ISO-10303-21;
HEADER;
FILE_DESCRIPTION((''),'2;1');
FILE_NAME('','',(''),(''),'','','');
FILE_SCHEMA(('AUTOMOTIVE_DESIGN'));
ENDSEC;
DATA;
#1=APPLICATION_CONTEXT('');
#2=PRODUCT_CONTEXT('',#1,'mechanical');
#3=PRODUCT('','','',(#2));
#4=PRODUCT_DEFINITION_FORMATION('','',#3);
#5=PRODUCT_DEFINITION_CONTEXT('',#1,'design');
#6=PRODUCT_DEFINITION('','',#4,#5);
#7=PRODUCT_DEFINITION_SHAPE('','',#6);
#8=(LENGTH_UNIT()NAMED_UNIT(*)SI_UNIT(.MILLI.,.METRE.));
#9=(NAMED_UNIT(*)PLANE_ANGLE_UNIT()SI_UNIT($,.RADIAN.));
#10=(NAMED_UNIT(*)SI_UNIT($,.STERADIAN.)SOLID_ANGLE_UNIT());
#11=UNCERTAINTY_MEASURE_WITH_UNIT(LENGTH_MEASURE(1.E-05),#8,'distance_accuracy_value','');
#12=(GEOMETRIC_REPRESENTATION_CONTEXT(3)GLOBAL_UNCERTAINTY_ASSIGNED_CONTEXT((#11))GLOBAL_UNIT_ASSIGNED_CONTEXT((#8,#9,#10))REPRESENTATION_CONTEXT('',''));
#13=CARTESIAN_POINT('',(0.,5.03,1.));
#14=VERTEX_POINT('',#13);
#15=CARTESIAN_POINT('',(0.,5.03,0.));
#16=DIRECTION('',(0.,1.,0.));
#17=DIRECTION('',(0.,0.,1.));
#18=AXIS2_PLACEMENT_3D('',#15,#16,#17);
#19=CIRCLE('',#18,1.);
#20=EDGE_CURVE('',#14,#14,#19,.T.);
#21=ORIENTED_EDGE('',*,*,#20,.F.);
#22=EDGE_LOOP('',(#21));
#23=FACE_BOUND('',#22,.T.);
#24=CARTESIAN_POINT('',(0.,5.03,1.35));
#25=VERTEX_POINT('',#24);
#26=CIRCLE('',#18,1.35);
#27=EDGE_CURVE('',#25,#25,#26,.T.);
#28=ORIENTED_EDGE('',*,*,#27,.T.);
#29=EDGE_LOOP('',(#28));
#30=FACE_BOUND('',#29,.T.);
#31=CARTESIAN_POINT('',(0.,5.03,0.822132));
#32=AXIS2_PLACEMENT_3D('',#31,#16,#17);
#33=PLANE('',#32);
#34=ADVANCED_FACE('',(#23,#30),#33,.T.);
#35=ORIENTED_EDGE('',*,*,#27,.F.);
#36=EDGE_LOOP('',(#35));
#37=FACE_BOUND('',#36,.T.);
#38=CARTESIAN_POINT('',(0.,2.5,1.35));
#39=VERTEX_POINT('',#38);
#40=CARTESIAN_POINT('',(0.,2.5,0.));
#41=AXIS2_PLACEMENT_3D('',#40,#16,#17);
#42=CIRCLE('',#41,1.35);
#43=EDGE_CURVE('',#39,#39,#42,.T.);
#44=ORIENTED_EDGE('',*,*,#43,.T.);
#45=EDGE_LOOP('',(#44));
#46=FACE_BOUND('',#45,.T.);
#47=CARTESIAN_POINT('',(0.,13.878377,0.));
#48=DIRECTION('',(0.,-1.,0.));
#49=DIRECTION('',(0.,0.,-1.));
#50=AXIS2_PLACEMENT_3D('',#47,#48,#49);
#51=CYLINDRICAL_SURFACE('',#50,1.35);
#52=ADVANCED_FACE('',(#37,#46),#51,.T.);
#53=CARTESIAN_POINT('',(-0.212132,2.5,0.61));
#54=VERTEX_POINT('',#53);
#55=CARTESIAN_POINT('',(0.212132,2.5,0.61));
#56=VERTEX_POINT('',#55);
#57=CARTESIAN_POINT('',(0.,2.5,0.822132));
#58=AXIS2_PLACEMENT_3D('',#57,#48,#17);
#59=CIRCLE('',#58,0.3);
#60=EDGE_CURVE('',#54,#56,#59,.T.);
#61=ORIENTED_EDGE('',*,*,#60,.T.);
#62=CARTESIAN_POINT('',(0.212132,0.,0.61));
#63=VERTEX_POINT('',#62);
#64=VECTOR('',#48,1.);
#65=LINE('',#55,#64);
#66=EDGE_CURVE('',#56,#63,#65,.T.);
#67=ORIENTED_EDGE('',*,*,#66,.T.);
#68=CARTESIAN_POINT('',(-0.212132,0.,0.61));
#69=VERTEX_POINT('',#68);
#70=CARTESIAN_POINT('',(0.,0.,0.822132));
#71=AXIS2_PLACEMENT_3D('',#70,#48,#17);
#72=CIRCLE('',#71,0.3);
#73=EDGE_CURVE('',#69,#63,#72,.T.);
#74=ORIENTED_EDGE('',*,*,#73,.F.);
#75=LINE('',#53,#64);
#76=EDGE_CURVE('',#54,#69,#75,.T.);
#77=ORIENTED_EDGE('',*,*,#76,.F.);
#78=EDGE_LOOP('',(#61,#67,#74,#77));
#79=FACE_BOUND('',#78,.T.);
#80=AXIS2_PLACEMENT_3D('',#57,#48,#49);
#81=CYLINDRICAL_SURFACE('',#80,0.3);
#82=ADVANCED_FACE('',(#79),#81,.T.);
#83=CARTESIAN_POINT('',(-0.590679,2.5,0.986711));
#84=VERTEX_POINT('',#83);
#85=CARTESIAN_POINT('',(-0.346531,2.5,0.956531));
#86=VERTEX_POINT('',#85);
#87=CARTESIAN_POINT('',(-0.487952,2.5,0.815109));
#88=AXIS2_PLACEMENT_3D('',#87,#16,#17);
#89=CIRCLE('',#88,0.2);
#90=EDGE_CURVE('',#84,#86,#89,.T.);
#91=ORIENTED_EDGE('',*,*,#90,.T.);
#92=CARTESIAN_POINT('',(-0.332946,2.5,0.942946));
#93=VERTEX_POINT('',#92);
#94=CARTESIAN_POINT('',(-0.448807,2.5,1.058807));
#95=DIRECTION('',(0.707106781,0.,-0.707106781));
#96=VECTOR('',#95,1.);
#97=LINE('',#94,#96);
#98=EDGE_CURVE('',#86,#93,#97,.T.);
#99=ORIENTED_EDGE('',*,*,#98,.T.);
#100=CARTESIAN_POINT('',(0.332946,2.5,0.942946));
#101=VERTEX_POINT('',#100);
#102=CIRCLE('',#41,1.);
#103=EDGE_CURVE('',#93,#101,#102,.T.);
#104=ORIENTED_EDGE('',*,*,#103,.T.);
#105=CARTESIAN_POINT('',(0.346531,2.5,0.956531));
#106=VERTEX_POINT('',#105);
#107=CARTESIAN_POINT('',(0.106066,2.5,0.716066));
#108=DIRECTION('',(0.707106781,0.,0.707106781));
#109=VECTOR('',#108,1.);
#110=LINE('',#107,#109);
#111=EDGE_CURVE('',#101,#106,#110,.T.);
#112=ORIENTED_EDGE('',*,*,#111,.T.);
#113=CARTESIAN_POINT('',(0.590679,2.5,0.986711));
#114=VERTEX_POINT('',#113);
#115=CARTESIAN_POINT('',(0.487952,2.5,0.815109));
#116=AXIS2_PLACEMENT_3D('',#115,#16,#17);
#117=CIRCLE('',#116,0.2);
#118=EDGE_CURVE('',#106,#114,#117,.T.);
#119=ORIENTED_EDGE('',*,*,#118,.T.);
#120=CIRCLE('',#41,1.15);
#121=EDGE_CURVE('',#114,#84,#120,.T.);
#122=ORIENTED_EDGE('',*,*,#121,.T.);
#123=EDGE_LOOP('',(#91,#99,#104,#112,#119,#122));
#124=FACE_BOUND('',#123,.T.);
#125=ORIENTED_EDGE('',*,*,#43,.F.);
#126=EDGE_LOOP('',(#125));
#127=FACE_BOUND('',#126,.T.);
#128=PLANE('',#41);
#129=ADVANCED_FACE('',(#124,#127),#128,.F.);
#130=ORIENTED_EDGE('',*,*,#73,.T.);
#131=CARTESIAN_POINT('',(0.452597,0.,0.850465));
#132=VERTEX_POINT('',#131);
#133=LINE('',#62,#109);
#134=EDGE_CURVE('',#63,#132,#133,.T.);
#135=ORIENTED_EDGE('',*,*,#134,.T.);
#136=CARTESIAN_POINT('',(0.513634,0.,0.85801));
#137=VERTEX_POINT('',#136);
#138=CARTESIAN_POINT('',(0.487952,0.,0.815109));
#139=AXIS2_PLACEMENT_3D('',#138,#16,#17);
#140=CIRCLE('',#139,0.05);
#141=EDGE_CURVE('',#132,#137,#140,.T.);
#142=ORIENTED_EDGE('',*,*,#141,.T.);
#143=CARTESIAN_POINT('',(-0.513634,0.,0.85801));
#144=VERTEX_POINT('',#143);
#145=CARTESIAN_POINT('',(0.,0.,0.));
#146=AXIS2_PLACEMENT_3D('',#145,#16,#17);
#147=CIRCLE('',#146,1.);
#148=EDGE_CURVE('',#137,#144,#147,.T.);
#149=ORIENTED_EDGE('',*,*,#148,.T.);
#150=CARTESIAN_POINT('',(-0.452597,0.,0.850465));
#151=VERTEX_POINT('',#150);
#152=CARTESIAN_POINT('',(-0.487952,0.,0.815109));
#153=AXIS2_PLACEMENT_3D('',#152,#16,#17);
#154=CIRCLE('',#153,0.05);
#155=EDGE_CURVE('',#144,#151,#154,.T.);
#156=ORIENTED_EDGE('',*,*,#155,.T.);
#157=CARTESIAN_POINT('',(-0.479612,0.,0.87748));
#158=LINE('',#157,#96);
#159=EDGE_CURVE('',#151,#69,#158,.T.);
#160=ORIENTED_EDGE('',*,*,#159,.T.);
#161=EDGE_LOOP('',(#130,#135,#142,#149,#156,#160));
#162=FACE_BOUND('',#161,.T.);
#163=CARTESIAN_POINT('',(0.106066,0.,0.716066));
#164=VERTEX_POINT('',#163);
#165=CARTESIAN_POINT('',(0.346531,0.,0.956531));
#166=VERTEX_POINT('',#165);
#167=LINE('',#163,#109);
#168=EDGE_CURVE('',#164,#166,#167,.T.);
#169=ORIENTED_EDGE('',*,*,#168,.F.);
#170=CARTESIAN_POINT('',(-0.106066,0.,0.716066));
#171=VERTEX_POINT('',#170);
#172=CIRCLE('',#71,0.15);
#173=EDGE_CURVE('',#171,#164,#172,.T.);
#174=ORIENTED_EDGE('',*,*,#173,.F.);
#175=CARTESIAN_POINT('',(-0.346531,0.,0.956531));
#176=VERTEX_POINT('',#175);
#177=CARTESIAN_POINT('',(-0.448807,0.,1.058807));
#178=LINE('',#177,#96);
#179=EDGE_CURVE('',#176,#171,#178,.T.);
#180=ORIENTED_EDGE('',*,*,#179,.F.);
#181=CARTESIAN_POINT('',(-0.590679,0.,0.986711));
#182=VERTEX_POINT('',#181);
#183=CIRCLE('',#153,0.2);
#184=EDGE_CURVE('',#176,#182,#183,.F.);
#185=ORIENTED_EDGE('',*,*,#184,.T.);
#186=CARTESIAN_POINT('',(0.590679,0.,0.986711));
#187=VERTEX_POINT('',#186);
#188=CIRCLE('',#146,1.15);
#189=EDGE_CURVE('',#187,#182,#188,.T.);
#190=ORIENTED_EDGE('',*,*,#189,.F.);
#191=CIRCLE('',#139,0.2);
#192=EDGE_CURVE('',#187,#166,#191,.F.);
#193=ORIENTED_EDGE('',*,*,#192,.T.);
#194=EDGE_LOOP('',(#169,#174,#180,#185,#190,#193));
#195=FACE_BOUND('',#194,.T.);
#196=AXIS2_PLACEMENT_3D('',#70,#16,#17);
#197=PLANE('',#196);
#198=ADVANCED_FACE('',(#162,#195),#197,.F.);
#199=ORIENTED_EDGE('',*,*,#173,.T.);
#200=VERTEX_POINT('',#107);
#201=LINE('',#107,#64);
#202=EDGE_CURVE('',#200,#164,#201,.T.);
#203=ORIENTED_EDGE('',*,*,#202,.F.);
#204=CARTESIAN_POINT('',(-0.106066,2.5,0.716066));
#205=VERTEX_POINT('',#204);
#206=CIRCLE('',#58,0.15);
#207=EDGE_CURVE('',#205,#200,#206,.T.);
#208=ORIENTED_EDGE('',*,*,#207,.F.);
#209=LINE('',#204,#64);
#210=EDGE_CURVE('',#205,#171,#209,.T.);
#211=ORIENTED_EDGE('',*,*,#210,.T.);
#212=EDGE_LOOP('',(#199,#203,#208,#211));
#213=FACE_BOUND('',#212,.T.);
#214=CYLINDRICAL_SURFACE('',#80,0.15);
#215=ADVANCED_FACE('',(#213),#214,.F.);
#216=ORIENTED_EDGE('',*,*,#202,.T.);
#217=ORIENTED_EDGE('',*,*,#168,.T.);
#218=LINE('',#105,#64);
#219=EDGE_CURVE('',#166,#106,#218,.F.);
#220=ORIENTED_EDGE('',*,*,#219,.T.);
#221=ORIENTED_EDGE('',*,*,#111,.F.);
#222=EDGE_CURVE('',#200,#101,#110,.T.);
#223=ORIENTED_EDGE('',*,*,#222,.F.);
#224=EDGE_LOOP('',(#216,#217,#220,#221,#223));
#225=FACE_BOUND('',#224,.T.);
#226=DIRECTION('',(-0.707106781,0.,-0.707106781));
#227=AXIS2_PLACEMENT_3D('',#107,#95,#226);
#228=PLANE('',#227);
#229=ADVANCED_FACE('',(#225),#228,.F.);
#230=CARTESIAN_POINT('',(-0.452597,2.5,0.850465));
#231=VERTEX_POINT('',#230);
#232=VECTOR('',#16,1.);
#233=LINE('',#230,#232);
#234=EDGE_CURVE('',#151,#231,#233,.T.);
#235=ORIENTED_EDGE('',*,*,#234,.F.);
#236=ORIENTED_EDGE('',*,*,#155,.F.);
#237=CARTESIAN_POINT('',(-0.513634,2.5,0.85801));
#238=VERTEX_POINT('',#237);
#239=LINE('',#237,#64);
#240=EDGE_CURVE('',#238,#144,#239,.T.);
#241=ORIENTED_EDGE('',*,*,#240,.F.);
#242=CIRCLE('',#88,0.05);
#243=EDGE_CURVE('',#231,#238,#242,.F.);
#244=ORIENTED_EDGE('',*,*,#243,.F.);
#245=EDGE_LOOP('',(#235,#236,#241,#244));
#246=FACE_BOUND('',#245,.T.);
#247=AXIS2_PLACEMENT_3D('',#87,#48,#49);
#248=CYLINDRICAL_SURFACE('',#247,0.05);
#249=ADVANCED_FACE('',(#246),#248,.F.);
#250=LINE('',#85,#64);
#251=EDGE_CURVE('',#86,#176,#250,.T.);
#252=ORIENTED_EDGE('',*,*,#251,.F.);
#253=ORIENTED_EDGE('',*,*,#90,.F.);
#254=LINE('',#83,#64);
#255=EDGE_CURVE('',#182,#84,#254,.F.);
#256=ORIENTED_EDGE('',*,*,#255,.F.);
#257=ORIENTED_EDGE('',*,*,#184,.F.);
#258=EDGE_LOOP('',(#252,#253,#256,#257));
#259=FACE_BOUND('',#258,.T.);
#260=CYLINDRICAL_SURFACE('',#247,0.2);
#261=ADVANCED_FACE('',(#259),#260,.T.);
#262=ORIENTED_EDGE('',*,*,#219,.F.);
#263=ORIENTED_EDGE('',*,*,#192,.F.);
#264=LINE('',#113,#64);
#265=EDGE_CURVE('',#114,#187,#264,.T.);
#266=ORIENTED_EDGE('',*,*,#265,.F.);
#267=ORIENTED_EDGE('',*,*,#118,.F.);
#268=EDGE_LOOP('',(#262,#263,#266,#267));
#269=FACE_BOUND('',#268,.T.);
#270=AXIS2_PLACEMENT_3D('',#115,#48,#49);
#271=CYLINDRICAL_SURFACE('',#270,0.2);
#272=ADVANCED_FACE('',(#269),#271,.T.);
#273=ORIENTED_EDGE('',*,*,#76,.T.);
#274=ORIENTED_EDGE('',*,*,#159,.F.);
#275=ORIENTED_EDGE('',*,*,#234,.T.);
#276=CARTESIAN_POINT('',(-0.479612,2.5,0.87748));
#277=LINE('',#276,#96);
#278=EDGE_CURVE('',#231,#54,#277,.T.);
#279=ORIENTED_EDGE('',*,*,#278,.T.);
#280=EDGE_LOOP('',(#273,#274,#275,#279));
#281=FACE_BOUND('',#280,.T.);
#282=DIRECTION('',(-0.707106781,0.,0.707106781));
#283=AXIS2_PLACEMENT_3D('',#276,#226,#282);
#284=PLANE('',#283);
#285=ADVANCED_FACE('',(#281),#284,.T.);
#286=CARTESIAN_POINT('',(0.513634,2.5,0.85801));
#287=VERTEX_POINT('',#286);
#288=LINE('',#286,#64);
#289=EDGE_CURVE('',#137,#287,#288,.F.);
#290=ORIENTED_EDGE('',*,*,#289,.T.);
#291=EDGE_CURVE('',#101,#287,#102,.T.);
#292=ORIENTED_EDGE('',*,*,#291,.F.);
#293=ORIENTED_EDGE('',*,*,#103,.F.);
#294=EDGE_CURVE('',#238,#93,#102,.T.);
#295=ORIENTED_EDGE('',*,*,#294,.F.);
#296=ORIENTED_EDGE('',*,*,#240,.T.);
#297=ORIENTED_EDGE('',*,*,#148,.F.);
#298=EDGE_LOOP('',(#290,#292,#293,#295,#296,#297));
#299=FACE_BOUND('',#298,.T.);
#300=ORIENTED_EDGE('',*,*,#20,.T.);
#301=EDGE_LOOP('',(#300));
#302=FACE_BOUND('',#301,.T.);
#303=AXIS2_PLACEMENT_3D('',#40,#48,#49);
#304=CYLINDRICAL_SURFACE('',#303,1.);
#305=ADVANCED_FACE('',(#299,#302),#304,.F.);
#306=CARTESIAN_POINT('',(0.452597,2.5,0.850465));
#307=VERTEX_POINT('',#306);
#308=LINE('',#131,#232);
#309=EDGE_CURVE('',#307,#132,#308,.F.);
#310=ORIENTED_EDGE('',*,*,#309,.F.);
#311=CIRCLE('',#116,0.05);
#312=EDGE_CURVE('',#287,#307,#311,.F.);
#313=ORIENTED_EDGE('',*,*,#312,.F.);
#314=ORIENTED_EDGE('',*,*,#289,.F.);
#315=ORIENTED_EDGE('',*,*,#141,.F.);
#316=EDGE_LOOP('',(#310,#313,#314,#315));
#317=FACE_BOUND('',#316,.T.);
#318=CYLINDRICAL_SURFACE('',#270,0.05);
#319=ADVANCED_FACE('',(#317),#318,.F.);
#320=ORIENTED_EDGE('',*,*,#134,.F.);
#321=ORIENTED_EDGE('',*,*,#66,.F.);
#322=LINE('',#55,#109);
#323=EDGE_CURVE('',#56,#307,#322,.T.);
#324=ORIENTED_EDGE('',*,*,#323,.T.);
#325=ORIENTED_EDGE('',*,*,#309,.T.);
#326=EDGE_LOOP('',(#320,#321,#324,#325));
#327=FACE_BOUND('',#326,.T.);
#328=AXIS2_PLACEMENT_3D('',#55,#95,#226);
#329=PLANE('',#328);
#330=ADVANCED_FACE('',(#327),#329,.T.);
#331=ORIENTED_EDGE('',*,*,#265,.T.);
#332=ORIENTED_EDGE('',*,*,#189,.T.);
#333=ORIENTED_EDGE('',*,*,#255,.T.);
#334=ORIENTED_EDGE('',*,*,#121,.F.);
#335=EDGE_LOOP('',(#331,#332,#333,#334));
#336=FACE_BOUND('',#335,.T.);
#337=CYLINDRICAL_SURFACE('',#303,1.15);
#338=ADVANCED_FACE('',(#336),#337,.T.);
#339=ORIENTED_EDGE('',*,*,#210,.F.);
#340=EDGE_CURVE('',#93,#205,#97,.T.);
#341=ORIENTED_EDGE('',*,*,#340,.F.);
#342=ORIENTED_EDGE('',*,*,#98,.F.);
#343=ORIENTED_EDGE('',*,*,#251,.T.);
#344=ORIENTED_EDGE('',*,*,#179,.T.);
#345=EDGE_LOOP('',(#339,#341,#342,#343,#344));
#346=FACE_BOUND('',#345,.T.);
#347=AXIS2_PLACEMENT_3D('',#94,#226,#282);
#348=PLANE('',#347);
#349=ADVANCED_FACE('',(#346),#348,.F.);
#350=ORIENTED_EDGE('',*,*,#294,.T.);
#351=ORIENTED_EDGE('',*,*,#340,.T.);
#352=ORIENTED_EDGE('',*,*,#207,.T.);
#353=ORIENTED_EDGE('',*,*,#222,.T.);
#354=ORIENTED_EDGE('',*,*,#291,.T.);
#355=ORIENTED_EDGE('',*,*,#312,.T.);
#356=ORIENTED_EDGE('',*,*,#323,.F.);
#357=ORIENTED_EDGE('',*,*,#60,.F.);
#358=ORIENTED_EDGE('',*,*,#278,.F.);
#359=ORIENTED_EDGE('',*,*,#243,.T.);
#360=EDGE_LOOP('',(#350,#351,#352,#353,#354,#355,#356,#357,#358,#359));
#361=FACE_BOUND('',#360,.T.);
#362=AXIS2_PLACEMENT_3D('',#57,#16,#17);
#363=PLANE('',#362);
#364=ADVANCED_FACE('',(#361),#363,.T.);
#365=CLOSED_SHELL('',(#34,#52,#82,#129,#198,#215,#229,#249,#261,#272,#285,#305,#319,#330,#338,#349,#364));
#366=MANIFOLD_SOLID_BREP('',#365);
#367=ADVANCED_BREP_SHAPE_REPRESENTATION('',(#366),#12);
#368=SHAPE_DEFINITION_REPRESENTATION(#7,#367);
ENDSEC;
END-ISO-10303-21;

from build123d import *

# Parameters (mm, degrees)
BOSS_EXTRUDE1_DEPTH = 2.5
FILLET1_R           = 0.05
FILLET2_R           = 0.2
SKETCH2_R           = 1.35
SKETCH2_R_2         = 1
BOSS_EXTRUDE2_DEPTH = 2.53


with BuildPart() as part:
    # Sketch1 → Boss-Extrude1 (new body)
    with BuildSketch(Plane(origin=(0, 0, 0), x_dir=(1, 0, 0), z_dir=(0, 1, 0))):
        with BuildLine():
            Line((-0.448807004, -1.058807004), (-0.106066017, -0.716066017))
            ThreePointArc((-0.106066017, -0.716066017), (0, -0.672132034), (0.106066017, -0.716066017))
            Line((0.106066017, -0.716066017), (0.448807004, -1.058807004))
            ThreePointArc((0.448807004, -1.058807004), (0, 1.15), (-0.448807004, -1.058807004))
        make_face()
        with BuildLine():
            Line((-0.479612457, -0.877480422), (-0.212132034, -0.61))
            ThreePointArc((-0.212132034, -0.61), (0, -0.522132034), (0.212132034, -0.61))
            Line((0.212132034, -0.61), (0.479612457, -0.877480422))
            ThreePointArc((0.479612457, -0.877480422), (0, 1), (-0.479612457, -0.877480422))
        make_face(mode=Mode.SUBTRACT)
    extrude(amount=BOSS_EXTRUDE1_DEPTH)

    # Fillet1
    fillet1_edges = [part.edges().sort_by_distance(p)[0] for p in [
        (0.479612457, 1.25, 0.877480422),
        (-0.479612457, 1.25, 0.877480422),
    ]]
    fillet(fillet1_edges, radius=FILLET1_R)

    # Fillet2
    fillet2_edges = [part.edges().sort_by_distance(p)[0] for p in [
        (-0.448807004, 1.25, 1.058807004),
        (0.448807004, 1.25, 1.058807004),
    ]]
    fillet(fillet2_edges, radius=FILLET2_R)

    # Sketch2 → Boss-Extrude2 (add)
    with BuildSketch(Plane(origin=(0, 2.5, 0), x_dir=(1, 0, 0), z_dir=(0, 1, 0))):
        Circle(SKETCH2_R)
        Circle(SKETCH2_R_2, mode=Mode.SUBTRACT)
    extrude(amount=BOSS_EXTRUDE2_DEPTH)


solid = part.part
